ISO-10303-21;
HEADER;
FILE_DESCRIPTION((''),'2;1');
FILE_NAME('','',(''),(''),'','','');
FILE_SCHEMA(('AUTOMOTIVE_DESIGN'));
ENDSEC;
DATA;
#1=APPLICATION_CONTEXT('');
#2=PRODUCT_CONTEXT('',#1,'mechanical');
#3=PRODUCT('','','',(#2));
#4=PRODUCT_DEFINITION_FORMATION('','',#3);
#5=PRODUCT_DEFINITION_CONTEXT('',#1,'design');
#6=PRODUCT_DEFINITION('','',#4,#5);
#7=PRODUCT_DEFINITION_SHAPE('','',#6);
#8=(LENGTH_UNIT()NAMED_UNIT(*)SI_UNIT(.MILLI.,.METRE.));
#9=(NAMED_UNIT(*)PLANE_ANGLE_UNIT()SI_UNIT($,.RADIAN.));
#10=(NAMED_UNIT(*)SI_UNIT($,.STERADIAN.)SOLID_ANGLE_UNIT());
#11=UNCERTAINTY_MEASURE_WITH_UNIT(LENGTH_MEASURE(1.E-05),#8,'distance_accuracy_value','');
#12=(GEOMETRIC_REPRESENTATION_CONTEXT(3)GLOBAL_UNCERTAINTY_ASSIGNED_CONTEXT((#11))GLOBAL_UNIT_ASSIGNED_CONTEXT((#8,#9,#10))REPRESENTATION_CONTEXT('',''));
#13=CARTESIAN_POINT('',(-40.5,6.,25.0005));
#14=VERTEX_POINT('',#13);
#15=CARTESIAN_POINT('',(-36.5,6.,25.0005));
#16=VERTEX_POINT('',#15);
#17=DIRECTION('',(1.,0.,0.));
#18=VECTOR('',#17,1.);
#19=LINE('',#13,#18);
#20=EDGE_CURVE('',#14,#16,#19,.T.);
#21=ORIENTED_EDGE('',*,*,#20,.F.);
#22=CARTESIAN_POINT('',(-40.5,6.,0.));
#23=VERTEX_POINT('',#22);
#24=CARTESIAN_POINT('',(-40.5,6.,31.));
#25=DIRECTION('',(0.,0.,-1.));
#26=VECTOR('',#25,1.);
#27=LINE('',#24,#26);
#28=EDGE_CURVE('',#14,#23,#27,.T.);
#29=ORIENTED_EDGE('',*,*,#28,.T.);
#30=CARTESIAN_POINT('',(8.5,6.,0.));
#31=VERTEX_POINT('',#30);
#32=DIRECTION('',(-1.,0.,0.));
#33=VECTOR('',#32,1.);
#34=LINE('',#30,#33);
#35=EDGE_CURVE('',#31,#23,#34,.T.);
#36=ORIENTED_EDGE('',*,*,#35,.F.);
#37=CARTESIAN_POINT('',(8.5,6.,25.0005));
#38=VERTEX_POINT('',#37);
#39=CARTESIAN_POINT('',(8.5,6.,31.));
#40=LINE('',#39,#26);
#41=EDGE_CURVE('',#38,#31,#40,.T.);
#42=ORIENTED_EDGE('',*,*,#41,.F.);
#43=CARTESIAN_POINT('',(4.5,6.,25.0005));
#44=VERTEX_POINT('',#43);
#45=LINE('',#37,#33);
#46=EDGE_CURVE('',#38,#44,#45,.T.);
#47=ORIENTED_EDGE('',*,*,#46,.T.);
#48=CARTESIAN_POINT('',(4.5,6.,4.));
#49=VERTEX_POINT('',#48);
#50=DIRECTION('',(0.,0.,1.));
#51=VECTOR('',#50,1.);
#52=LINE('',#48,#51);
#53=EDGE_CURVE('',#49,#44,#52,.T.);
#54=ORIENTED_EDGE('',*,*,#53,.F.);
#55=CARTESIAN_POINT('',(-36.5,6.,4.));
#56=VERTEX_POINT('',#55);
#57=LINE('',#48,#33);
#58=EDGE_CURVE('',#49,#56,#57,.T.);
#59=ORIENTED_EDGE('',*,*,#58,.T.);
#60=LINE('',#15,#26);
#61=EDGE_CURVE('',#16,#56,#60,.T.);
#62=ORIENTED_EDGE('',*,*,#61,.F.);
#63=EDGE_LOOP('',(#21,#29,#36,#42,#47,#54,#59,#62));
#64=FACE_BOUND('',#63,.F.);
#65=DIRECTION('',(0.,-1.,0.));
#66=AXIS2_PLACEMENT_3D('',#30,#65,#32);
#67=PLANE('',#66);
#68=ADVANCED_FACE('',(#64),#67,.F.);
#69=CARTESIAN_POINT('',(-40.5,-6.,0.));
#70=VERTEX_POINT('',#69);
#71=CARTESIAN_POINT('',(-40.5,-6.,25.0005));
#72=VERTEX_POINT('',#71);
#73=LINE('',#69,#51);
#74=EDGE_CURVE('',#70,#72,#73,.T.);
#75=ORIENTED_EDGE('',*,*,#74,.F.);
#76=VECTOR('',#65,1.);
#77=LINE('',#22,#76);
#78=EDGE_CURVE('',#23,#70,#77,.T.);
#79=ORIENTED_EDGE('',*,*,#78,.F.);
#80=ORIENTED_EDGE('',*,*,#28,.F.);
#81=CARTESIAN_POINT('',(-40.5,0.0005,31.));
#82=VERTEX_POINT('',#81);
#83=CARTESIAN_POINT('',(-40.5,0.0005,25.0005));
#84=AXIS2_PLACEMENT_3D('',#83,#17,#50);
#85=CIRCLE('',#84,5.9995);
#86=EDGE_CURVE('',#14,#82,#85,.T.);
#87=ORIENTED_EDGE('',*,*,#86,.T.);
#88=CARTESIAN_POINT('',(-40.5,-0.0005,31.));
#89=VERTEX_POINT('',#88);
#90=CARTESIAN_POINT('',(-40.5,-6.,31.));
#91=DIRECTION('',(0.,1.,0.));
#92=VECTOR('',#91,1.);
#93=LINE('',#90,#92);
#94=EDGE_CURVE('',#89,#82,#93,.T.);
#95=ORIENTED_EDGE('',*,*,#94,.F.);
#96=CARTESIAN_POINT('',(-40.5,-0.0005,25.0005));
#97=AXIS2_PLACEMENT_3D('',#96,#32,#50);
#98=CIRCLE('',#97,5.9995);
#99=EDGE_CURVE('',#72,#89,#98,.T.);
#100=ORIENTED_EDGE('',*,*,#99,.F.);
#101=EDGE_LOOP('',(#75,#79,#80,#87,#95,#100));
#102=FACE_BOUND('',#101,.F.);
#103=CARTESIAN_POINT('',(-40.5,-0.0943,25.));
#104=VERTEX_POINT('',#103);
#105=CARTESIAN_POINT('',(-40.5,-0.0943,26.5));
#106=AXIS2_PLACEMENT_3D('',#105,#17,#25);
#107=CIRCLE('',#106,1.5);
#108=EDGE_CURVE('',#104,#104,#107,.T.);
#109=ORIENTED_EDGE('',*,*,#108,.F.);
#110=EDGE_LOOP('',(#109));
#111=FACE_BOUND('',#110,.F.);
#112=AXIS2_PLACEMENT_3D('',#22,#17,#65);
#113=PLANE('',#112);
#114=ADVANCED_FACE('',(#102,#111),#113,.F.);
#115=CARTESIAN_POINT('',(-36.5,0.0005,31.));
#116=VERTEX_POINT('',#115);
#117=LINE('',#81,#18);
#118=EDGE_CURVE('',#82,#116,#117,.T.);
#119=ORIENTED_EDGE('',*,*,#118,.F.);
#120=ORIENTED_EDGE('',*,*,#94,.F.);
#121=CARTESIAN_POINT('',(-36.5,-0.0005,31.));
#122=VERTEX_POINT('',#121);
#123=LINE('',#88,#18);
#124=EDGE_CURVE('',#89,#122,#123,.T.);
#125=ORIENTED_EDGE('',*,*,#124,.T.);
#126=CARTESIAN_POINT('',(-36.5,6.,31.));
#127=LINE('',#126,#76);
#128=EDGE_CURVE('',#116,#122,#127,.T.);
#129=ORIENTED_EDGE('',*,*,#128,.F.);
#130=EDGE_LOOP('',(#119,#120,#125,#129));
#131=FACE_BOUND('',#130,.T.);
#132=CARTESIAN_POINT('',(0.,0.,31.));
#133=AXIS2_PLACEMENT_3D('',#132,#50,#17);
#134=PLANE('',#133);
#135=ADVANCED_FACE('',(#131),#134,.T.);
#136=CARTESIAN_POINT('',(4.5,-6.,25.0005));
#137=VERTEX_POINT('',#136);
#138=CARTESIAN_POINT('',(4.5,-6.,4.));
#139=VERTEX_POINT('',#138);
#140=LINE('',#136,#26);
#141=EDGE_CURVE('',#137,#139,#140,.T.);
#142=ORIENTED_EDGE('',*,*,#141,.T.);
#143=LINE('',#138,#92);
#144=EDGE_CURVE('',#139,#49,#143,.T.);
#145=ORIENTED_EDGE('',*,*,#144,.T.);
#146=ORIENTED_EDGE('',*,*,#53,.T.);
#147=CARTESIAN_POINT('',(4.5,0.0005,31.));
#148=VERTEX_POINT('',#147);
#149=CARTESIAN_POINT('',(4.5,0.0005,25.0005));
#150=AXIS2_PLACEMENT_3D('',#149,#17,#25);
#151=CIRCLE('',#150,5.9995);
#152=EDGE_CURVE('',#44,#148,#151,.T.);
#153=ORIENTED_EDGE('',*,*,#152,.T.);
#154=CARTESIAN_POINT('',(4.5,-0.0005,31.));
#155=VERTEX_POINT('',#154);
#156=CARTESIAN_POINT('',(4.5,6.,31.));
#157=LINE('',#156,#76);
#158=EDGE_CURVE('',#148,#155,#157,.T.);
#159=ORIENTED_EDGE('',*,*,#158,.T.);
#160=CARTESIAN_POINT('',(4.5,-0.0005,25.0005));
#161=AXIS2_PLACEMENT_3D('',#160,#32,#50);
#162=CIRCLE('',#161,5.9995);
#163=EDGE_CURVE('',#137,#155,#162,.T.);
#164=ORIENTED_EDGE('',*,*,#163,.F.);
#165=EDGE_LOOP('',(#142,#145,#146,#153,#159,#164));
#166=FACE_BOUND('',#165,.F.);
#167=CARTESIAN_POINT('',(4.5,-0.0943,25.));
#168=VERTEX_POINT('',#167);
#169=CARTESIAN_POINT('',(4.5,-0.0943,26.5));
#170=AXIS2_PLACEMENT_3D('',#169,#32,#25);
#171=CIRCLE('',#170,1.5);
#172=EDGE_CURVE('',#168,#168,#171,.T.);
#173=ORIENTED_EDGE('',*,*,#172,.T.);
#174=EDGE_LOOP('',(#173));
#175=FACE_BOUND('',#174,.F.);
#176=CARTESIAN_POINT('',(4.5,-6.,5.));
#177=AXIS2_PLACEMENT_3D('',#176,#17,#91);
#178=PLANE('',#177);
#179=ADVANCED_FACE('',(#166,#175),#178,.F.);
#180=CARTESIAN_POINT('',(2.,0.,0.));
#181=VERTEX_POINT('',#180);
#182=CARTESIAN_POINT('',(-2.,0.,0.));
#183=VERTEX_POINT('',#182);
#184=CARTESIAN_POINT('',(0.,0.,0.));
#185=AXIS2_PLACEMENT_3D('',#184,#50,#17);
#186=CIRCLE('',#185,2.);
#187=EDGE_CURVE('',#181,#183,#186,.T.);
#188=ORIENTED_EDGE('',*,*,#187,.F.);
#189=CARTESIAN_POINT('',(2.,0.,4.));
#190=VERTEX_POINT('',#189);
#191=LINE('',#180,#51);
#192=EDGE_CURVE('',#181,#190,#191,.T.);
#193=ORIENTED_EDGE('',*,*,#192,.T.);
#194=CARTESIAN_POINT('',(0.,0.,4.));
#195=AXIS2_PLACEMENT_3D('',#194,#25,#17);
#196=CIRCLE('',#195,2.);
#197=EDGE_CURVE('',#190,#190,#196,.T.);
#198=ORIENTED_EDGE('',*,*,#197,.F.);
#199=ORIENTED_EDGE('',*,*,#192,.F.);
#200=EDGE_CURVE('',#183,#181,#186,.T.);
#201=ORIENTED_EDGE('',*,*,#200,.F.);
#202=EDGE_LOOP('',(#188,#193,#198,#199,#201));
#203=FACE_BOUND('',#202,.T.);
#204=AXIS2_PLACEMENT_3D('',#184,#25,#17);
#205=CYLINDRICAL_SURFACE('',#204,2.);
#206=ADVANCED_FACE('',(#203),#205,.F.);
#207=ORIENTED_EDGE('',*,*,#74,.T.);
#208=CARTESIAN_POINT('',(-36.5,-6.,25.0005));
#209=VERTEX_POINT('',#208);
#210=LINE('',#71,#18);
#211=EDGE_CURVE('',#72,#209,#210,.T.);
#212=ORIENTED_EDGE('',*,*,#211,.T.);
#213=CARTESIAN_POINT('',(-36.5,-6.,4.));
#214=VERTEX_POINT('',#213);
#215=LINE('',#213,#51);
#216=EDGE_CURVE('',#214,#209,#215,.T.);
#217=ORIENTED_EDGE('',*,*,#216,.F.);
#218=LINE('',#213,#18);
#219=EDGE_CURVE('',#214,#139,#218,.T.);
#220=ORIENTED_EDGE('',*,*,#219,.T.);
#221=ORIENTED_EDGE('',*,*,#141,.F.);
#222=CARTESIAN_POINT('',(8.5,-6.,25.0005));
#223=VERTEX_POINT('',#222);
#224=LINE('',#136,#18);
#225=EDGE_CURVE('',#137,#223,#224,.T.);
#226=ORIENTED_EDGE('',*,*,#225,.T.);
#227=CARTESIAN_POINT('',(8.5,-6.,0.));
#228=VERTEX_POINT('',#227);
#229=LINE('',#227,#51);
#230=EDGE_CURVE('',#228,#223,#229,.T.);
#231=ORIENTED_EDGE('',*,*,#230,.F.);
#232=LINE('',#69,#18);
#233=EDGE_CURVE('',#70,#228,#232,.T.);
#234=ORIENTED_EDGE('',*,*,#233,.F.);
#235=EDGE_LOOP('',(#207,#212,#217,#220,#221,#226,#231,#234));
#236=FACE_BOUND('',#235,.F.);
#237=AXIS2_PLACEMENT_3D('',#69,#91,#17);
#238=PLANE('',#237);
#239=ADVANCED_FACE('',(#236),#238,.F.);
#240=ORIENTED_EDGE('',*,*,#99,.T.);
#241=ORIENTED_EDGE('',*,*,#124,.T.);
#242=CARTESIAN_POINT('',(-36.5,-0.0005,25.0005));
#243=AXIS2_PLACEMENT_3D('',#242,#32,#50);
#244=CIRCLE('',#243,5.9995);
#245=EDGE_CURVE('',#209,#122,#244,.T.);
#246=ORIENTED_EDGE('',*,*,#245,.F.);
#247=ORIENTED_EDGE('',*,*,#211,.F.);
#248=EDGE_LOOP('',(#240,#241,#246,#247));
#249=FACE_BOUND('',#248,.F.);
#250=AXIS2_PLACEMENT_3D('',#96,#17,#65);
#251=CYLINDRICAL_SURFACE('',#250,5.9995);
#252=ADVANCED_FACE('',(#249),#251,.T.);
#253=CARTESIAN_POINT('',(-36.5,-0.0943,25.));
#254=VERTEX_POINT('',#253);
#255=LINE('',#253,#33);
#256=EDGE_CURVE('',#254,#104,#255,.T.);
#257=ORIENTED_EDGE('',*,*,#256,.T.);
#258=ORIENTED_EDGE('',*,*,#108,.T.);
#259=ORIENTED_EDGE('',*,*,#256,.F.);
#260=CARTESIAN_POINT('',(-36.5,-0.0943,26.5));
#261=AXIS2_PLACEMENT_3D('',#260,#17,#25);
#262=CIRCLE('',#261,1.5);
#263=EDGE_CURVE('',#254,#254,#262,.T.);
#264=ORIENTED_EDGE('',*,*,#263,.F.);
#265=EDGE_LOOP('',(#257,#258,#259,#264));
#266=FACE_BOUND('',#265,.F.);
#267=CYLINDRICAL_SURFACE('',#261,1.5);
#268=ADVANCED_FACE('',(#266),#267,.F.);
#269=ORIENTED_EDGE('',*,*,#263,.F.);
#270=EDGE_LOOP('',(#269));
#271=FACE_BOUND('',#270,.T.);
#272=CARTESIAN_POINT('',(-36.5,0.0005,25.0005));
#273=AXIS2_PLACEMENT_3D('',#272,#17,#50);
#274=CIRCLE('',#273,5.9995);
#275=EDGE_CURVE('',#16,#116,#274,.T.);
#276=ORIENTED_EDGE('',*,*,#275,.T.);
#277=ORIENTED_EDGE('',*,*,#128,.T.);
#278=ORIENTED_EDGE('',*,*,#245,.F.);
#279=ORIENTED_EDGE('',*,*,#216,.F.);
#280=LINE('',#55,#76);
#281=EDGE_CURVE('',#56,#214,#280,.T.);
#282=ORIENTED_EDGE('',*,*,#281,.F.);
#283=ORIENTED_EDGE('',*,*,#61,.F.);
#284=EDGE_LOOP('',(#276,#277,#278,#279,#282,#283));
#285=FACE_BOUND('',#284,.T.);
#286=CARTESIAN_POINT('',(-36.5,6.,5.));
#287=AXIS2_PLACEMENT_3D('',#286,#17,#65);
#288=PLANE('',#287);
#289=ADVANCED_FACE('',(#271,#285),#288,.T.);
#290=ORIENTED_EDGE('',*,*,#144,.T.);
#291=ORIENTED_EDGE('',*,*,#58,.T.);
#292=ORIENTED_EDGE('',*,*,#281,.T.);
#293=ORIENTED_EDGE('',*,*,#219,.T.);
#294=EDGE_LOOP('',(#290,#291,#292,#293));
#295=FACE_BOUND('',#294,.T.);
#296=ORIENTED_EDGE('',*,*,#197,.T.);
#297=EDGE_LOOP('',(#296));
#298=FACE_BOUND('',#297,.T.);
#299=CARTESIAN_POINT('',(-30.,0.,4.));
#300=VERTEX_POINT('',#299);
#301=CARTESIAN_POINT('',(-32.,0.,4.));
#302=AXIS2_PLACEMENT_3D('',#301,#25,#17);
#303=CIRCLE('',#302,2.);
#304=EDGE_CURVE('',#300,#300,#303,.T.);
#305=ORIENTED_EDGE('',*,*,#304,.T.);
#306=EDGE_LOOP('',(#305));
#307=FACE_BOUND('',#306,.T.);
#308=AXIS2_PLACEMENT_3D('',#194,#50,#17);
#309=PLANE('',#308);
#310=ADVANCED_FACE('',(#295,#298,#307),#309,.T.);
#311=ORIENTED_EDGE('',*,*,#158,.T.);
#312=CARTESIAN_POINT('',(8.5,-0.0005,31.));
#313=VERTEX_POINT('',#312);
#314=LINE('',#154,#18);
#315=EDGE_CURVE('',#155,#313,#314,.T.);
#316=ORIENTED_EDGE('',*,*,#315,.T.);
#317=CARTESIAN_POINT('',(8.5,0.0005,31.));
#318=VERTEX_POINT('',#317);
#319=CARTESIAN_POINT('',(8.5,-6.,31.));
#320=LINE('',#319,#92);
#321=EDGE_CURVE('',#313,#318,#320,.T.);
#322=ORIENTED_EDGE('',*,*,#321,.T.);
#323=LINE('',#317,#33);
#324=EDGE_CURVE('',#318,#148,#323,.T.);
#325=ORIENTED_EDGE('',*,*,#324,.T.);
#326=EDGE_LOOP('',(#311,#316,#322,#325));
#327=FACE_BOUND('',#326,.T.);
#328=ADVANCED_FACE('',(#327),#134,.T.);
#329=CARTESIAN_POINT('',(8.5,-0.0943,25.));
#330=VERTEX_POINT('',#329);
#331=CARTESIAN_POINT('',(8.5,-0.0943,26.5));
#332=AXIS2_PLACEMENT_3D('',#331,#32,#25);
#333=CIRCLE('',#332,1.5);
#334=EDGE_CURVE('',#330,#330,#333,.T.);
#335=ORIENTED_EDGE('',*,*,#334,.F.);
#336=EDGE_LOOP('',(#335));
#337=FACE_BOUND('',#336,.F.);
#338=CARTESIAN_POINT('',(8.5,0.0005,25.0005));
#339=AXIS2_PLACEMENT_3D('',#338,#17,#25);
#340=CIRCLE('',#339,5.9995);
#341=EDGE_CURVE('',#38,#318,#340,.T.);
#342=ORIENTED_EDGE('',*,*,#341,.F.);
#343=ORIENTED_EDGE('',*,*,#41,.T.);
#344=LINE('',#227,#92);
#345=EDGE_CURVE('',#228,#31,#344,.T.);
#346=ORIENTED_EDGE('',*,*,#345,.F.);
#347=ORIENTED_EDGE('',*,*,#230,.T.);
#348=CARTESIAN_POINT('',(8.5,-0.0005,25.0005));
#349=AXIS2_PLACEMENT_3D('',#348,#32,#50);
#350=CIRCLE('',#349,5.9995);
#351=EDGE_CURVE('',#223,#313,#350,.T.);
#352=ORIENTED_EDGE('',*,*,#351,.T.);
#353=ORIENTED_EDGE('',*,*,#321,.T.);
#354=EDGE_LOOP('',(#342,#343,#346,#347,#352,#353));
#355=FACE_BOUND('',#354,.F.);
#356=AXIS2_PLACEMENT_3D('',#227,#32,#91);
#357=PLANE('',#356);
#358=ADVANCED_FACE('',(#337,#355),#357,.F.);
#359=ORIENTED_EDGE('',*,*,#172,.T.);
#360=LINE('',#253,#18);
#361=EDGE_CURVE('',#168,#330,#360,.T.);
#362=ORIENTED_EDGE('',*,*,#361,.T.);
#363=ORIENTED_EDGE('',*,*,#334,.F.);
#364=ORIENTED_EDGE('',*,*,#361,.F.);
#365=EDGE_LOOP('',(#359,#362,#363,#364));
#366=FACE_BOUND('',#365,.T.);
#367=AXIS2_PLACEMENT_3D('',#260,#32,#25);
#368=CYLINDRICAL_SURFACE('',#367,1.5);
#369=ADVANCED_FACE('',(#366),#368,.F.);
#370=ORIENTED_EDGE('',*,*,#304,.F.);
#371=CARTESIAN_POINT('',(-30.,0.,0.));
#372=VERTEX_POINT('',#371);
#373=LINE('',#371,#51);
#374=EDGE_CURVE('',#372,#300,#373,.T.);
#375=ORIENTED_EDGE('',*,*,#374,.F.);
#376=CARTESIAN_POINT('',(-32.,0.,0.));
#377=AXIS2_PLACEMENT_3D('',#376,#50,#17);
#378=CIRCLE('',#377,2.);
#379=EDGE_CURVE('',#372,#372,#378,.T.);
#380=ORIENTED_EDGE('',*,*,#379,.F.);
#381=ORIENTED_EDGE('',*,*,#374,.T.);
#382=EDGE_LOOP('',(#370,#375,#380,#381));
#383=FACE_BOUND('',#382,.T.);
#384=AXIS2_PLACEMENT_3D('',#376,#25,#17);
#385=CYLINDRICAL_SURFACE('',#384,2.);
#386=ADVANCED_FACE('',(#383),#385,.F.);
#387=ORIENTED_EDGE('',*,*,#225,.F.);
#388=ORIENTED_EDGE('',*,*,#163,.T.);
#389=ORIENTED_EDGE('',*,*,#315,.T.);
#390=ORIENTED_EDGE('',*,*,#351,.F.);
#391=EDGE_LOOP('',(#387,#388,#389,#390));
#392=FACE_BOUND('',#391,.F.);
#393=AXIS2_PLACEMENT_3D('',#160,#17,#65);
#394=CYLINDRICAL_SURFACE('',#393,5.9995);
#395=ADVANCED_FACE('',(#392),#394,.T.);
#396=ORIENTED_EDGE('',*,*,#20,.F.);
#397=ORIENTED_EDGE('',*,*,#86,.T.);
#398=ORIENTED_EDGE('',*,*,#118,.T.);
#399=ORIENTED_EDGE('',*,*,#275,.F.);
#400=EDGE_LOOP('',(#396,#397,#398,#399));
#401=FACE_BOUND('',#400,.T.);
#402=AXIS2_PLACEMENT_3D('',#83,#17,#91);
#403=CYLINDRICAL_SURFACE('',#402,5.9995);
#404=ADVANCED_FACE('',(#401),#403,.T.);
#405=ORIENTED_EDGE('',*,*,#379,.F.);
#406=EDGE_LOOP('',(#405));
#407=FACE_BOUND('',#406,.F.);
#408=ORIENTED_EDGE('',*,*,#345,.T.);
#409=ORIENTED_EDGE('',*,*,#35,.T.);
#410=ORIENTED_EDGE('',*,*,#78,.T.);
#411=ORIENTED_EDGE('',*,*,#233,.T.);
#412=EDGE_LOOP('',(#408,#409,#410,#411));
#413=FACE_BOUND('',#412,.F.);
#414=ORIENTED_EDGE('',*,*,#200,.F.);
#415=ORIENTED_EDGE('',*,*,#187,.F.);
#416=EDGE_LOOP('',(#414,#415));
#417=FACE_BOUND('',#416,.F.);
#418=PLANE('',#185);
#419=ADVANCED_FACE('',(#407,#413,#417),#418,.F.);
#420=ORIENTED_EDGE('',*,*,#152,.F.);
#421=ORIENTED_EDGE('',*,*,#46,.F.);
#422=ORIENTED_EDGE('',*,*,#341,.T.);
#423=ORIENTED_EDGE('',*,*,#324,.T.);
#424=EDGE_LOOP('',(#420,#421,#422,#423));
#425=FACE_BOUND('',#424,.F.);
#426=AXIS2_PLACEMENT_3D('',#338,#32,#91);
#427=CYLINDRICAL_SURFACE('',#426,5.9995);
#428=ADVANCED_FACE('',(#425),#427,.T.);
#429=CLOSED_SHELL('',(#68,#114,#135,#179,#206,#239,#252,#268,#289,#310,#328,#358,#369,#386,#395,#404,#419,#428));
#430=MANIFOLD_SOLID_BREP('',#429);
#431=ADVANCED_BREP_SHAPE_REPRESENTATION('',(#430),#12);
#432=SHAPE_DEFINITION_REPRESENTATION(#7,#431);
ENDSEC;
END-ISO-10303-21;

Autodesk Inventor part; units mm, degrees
ref_plane "YZ Plane" through (0, 0, 0) normal (1, 0, 0) x (0, 1, 0)
ref_plane "XZ Plane" through (0, 0, 0) normal (0, 1, 0) x (-1, 0, 0)
ref_plane "XY Plane" through (0, 0, 0) normal (0, 0, 1) x (1, 0, 0)
sketch "Szkic1" plane through (0, 0, 0) normal (0, 0, 1) x (1, 0, 0)
  line L0 (0, 0) -> (-32, 0)
  circle A0 centre (-32, 0) radius 2
  circle A1 centre (0, 0) radius 2
  line L1 (-40.5, -6) -> (8.5, -6)
  line L2 (8.5, -6) -> (8.5, 6)
  line L3 (8.5, 6) -> (-40.5, 6)
  line L4 (-40.5, 6) -> (-40.5, -6)
  line L5 (-40.5, -6) -> (8.5, 6) construction
  line L6 (8.5, -6) -> (-40.5, 6) construction
  point P0 (-16, 0)
  dimension "d2" = 32
  dimension "d3" = 4
  dimension "d4" = 4
  dimension "d5" = 49
  dimension "d6" = 12
extrude "Wyciągnięcie proste1" add sketch "Szkic1" along normal blind 5
sketch "Szkic2" plane through (0, 0, 5) normal (0, 0, 1) x (1, 0, 0)
  line L0 (8.5, -6) -> (8.5, 6) projected
  line L1 (-40.5, -6) -> (8.5, -6) projected
  line L2 (8.5, 6) -> (4.5, 6)
  line L3 (4.5, 6) -> (4.5, -6)
  line L4 (4.5, -6) -> (8.5, -6)
  line L5 (8.5, -6) -> (8.5, 6)
  line L6 (-40.5, 6) -> (-36.5, 6)
  line L7 (-36.5, 6) -> (-36.5, -6)
  line L8 (-36.5, -6) -> (-40.5, -6)
  line L9 (-40.5, -6) -> (-40.5, 6)
  dimension "d12" = 4
  dimension "d13" = 4
extrude "Wyciągnięcie proste2" add sketch "Szkic2" along normal blind 26
fillet "Zaokrąglenie1" radius 6 4 edges at (-38.5, 6, 31) (-38.5, -6, 31) (6.5, 6, 31) (6.5, -6, 31)
sketch "Szkic3" plane through (-36.5, -6, 5) normal (1, 0, 0) x (0, 0, -1)
  line L0 (0, 5.9057) -> (-21.5, 5.9057)
  circle A0 centre (-21.5, 5.9057) radius 1.5
  point P0 (5, 6)
  dimension "d15" = 21.5
  dimension "d16" = 3
extrude "Wyciągnięcie proste3" cut sketch "Szkic3" along normal mid plane 100
sketch "Szkic4" plane through (0, 0, 5) normal (0, 0, 1) x (1, 0, 0)
  circle A0 centre (0, 0) radius 2 projected
  circle A1 centre (-32, 0) radius 2 projected
  line L0 (4.5, -6) -> (4.5, 6) projected
  line L1 (4.5, 6) -> (-36.5, 6) projected
  line L2 (-36.5, 6) -> (-36.5, -6) projected
  line L3 (-36.5, -6) -> (4.5, -6) projected
extrude "Wyciągnięcie proste4" cut sketch "Szkic4" against normal blind 1 contours A0 | A1 | L3 L2 L1 L0
properties part number "Zebatka holder"
